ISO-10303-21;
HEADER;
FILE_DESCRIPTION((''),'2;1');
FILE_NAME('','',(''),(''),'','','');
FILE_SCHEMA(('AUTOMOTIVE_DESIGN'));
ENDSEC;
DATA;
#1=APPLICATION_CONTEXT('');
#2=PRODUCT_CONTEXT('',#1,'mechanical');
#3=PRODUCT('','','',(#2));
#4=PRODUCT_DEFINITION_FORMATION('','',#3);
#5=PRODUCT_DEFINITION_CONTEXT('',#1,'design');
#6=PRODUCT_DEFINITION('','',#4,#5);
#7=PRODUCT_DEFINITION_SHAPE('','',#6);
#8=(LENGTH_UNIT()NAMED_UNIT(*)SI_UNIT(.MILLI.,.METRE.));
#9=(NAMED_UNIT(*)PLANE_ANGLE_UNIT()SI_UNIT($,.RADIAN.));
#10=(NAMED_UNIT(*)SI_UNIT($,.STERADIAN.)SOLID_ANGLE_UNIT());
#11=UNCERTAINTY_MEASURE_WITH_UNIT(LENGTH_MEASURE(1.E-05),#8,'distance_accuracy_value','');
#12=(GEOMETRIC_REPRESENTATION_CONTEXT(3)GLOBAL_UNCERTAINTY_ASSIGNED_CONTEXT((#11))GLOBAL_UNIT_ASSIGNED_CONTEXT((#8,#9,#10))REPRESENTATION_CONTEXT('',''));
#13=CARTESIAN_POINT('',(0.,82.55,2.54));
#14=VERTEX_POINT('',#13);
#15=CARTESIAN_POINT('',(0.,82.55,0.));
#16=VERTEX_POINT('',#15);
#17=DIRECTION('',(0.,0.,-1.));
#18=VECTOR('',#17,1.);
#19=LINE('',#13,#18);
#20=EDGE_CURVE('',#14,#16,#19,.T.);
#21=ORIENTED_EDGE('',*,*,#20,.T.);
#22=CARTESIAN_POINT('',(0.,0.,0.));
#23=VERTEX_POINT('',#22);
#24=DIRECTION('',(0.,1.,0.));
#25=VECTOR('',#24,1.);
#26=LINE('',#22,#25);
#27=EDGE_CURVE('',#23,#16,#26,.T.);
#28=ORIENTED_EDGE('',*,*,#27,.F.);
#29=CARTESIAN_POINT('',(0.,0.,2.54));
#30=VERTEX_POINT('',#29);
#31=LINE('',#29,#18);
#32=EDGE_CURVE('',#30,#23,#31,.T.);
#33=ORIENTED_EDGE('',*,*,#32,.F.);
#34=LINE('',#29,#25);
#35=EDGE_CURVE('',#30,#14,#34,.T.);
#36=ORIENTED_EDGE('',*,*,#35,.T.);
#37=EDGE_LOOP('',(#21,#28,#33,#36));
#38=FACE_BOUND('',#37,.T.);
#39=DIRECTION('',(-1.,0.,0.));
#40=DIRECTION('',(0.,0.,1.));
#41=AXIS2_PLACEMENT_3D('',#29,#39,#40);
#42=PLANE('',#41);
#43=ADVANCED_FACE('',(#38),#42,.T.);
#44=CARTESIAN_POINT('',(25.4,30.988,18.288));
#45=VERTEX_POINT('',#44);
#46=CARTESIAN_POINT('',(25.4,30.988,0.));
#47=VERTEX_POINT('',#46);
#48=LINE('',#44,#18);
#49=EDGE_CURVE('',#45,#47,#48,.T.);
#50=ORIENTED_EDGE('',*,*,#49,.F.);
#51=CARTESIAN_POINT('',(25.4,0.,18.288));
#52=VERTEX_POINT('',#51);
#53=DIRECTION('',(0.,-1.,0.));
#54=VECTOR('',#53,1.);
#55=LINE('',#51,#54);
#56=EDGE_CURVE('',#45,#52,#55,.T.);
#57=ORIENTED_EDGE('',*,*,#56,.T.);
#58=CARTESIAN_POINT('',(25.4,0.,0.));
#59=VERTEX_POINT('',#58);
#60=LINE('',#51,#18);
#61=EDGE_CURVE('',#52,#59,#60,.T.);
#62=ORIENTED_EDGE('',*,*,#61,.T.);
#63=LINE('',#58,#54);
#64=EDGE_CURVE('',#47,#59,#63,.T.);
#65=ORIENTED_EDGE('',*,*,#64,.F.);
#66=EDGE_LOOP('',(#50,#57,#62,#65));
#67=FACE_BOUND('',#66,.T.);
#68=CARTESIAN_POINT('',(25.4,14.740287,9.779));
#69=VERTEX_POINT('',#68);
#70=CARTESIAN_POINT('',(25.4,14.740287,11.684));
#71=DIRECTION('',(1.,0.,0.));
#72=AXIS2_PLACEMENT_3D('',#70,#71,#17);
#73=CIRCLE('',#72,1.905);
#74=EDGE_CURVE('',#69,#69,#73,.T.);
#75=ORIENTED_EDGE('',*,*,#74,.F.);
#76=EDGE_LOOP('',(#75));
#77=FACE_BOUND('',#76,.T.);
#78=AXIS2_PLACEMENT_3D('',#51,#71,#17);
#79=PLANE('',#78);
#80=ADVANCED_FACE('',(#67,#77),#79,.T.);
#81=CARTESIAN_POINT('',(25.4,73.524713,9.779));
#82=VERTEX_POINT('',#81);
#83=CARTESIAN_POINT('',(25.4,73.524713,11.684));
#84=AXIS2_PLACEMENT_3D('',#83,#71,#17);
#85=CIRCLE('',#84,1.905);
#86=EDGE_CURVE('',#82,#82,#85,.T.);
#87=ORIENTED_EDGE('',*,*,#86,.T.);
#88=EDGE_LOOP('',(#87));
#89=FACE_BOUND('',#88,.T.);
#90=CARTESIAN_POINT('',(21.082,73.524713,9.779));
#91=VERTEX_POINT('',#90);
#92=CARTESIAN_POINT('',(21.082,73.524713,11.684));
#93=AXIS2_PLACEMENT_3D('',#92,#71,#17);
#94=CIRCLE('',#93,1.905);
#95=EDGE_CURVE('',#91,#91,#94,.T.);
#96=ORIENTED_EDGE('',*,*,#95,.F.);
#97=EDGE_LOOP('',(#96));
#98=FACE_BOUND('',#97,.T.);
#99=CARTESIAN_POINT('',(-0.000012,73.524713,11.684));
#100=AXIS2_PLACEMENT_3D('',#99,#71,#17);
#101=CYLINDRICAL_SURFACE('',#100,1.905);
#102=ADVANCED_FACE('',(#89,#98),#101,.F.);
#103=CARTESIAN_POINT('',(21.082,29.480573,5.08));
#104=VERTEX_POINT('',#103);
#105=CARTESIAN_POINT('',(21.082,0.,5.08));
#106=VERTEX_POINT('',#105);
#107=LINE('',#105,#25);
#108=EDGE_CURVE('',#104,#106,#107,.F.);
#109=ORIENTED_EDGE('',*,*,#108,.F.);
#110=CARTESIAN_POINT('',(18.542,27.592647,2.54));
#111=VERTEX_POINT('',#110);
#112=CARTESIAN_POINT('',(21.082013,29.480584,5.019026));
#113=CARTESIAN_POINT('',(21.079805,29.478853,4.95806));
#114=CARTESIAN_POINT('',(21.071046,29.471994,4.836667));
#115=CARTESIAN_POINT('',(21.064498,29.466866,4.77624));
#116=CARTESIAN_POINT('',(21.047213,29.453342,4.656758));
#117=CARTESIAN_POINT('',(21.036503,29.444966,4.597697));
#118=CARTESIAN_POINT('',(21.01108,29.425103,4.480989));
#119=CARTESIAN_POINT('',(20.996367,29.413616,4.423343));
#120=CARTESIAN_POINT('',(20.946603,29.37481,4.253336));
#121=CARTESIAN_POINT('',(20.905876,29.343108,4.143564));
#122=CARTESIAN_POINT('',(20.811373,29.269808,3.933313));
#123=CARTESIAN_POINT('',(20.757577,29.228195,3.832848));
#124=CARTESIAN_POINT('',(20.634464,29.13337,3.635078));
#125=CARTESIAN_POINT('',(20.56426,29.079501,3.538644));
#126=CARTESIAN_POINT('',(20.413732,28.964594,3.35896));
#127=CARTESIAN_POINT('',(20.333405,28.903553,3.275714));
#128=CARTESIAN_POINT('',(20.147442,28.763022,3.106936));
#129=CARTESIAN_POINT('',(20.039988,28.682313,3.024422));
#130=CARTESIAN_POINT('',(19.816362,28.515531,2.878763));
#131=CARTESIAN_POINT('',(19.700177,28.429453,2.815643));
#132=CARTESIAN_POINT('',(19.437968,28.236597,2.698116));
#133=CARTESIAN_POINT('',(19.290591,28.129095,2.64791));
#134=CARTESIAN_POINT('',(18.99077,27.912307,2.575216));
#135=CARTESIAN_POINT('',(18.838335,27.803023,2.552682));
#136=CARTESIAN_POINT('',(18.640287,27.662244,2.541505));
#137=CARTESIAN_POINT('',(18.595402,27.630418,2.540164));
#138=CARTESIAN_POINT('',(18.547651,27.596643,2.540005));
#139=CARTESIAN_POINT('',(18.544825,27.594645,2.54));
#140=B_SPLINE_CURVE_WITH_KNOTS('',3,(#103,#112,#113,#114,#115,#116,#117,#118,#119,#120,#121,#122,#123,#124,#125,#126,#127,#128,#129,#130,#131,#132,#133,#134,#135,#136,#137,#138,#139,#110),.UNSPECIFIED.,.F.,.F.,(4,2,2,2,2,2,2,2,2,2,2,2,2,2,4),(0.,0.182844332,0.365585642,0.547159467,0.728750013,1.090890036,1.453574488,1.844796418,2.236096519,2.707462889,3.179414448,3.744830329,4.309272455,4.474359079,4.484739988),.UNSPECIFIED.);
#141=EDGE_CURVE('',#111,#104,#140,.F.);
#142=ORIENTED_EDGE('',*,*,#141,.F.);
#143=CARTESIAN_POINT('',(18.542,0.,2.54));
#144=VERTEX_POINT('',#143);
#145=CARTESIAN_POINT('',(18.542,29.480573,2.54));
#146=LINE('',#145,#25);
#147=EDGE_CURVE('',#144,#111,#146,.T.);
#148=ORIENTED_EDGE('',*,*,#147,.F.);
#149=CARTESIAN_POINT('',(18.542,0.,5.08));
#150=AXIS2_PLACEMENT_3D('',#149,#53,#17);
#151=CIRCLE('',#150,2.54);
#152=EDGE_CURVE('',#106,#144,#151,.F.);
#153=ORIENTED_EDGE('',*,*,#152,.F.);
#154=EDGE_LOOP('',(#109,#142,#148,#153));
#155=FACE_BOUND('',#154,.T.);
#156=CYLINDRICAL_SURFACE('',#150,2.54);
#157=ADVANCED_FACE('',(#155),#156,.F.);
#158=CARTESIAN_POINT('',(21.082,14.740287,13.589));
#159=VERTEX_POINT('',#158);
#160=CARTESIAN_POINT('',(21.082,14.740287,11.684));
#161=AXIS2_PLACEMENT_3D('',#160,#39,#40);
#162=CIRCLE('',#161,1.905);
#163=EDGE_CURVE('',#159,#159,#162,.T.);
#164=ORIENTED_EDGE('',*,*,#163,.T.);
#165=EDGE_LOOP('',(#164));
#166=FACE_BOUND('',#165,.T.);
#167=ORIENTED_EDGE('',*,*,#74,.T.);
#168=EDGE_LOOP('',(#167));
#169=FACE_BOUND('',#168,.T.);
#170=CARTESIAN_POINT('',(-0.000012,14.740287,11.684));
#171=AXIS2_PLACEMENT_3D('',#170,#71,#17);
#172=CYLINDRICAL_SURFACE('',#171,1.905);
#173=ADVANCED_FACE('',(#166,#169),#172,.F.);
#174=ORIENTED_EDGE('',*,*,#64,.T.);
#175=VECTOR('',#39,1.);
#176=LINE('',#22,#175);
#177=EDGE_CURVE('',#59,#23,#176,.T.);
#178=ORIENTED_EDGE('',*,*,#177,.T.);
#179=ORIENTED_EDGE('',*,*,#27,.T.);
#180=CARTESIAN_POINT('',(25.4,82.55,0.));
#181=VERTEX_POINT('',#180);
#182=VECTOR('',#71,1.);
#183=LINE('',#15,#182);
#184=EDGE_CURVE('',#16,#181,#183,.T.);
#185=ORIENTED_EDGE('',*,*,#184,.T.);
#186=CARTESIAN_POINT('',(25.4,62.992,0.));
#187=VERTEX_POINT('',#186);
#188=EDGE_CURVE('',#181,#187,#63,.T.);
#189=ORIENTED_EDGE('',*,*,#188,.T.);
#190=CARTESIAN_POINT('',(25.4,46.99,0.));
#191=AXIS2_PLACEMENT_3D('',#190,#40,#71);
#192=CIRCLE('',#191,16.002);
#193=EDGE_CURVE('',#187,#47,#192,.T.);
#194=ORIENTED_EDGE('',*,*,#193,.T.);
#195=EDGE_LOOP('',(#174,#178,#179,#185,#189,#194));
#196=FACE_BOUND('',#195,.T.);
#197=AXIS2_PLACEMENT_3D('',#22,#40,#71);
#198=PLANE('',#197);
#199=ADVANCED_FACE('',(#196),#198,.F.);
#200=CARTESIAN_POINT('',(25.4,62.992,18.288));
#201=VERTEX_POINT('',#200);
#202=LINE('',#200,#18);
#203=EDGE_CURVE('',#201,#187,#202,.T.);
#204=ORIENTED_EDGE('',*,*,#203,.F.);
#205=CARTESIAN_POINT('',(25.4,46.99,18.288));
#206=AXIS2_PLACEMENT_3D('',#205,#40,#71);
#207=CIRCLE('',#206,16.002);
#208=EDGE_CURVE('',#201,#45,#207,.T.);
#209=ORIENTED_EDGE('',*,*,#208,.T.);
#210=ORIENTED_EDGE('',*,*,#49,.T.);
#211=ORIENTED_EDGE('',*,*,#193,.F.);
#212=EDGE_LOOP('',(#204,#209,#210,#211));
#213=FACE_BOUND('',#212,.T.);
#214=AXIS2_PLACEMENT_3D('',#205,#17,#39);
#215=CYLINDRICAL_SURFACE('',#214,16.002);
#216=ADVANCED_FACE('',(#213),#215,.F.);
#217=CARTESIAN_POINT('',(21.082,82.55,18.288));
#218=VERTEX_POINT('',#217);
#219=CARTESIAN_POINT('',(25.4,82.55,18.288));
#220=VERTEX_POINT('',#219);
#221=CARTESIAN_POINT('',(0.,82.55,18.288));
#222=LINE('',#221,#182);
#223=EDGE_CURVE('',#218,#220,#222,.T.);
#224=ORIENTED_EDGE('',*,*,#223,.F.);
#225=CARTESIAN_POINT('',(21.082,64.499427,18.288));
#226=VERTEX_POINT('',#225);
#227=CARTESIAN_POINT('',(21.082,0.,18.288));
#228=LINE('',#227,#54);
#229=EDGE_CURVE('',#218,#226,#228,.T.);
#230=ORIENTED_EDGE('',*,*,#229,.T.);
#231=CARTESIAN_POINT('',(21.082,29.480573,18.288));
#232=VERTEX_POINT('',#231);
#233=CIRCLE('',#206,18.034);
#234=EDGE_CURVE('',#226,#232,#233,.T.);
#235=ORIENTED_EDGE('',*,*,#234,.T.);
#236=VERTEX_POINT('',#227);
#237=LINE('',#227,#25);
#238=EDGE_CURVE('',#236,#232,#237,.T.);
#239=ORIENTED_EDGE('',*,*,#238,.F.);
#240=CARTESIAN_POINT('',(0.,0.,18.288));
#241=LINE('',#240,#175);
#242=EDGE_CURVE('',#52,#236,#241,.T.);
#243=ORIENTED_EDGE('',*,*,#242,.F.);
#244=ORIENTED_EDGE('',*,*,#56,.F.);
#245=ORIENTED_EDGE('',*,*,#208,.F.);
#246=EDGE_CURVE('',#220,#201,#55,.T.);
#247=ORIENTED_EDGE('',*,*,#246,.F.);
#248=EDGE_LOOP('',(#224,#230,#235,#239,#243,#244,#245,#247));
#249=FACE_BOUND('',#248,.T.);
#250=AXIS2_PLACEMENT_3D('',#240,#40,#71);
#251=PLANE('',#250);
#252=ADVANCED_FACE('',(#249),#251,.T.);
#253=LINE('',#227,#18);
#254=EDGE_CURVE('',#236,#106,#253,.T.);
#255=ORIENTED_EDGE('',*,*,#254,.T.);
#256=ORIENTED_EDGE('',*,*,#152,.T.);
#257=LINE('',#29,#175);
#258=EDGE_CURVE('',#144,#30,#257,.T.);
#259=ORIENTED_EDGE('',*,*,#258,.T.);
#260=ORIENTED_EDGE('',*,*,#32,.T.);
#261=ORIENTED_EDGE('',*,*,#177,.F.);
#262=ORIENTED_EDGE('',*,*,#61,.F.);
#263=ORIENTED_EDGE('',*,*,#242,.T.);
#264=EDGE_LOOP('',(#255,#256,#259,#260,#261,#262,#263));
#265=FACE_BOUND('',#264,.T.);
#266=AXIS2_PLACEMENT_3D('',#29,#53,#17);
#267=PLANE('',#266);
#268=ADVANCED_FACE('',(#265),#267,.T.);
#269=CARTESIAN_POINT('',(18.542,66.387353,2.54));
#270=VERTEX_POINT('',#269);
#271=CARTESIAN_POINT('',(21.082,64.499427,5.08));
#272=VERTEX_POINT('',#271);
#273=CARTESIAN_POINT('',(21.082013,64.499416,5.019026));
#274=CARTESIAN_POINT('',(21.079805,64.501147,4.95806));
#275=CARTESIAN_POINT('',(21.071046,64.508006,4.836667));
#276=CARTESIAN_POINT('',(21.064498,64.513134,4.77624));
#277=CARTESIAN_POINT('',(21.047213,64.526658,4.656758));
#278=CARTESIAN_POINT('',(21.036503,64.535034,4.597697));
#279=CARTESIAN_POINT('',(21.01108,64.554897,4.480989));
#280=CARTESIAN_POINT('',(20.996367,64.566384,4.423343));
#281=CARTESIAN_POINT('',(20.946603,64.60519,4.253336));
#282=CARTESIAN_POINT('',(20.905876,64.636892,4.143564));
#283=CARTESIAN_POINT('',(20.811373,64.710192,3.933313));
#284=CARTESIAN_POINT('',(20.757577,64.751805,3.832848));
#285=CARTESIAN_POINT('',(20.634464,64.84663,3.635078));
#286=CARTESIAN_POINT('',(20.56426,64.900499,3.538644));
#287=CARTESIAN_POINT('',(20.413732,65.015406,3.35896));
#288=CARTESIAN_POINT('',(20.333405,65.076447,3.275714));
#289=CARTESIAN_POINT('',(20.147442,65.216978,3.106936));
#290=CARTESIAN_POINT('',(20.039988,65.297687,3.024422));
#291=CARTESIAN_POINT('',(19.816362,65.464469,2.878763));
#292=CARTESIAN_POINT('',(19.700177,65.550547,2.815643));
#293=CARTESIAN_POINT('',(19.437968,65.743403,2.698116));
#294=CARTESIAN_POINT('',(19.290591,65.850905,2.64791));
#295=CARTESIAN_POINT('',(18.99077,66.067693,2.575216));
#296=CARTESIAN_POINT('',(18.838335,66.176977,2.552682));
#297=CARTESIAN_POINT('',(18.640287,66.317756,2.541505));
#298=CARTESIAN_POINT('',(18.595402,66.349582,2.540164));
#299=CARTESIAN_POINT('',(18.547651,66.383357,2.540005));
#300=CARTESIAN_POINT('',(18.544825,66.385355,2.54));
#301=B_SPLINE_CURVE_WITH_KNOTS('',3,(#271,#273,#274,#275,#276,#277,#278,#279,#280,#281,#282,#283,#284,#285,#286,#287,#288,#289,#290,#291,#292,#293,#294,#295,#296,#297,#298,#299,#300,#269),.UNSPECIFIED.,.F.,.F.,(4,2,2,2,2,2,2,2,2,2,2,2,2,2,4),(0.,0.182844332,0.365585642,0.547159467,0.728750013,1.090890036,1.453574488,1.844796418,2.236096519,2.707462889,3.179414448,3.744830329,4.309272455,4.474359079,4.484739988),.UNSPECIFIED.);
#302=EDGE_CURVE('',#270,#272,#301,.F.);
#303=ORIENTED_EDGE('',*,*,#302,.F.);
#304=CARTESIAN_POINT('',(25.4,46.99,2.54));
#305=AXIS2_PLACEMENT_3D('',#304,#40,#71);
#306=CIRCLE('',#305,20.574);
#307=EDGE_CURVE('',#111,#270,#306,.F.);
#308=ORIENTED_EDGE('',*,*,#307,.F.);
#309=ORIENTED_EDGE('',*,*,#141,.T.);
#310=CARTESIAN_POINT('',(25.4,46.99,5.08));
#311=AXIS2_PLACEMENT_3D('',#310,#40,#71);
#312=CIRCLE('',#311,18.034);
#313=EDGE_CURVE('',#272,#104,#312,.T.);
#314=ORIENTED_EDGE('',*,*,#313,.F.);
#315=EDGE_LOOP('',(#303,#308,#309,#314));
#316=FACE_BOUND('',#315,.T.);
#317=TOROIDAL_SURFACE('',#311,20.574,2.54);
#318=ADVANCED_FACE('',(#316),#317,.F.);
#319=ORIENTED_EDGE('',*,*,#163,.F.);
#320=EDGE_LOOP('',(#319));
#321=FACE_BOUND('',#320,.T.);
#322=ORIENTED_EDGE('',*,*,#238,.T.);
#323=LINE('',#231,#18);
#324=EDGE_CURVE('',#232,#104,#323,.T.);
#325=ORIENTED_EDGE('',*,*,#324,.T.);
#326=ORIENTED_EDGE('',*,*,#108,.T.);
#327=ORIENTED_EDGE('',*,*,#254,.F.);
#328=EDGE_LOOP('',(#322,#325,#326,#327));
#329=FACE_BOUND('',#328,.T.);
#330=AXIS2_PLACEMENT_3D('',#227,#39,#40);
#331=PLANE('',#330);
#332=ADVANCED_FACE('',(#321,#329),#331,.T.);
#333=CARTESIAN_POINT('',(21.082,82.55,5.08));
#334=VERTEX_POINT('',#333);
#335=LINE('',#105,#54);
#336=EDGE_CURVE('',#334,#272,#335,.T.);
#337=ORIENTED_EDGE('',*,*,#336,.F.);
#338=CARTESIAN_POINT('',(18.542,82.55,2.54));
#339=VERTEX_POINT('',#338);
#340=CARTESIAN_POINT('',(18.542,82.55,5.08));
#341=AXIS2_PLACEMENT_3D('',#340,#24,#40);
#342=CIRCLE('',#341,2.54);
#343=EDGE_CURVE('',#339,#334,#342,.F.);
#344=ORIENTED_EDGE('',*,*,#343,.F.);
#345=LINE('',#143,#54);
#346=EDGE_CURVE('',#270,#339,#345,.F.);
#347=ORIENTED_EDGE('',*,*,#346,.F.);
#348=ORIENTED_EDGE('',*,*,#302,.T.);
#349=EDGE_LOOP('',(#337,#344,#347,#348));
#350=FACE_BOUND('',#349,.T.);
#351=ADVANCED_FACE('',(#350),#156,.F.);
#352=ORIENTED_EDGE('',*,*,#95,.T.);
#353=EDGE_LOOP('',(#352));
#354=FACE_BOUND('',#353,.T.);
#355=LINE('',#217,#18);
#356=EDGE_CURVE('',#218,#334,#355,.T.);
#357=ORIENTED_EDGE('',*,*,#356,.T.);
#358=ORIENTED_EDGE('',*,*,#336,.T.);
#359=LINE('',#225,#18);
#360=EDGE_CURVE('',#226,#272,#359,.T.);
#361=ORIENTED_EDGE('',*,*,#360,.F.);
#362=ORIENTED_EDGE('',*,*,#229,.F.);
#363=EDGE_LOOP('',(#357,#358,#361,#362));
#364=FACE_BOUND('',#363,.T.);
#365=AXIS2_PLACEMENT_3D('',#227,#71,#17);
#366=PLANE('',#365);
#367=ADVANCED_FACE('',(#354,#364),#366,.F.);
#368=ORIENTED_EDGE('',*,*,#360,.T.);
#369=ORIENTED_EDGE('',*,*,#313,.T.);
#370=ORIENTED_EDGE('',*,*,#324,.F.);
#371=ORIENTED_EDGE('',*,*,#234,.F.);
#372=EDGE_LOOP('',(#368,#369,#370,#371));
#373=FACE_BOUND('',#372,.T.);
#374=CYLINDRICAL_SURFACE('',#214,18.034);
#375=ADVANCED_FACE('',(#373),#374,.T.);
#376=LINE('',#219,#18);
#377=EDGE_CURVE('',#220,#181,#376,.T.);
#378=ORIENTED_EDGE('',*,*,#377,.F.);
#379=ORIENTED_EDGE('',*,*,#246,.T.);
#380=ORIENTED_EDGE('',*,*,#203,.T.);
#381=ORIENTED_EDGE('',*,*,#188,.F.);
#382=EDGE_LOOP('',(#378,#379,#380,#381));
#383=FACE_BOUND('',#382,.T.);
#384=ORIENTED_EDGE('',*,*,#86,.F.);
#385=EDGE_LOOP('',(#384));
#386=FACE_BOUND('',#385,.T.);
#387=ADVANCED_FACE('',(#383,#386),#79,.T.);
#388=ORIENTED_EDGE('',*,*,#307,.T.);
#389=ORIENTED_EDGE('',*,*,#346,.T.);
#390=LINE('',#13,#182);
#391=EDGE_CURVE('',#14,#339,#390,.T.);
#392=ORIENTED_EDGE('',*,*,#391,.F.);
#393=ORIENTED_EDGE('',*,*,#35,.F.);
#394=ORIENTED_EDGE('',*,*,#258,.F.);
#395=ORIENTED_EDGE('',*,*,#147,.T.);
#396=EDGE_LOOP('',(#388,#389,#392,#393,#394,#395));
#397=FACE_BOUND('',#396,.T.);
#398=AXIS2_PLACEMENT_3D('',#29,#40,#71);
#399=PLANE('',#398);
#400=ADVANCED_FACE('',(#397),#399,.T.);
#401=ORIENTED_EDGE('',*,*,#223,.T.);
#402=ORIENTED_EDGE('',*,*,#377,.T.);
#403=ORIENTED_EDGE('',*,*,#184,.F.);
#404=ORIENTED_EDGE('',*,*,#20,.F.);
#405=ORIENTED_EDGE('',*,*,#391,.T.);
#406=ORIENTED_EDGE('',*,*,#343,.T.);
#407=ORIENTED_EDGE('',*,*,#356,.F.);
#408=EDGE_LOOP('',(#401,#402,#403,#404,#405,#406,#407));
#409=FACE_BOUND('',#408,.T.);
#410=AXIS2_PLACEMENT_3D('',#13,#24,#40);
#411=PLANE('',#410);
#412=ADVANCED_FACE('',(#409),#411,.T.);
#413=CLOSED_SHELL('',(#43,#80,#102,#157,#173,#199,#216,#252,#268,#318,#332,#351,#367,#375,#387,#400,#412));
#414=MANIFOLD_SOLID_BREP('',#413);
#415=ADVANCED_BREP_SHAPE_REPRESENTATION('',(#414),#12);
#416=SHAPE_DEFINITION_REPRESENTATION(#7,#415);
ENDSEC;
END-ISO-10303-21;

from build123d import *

# Parameters (mm, degrees)
BOSS_EXTRUDE2_DEPTH     = 2.54
BOSS_EXTRUDE3_DEPTH     = 18.288
FILLET1_R               = 2.54
SKETCH4_R               = 1.905
CUT_EXTRUDE1_DEPTH      = 26.4
CUT_EXTRUDE1_DEPTH_BACK = 1


with BuildPart() as part:
    # Sketch3 → Boss-Extrude2 (new body)
    with BuildSketch(Plane.XY):
        with BuildLine():
            Line((0, 82.55), (0, 0))
            Line((0, 0), (21.082, 0))
            Line((21.082, 0), (21.082, 29.480573053))
            ThreePointArc((21.082, 29.480573053), (7.366, 46.99), (21.082, 64.499426947))
            Line((21.082, 64.499426947), (21.082, 82.55))
            Line((21.082, 82.55), (0, 82.55))
        make_face()
    extrude(amount=BOSS_EXTRUDE2_DEPTH)

    # Sketch3<5> → Boss-Extrude3 (add)
    with BuildSketch(Plane.XY):
        with BuildLine():
            Line((21.082, 29.480573053), (21.082, 0))
            Line((21.082, 0), (25.4, 0))
            Line((25.4, 0), (25.4, 30.988))
            ThreePointArc((25.4, 30.988), (9.398, 46.99), (25.4, 62.992))
            Line((25.4, 62.992), (25.4, 82.55))
            Line((25.4, 82.55), (21.082, 82.55))
            Line((21.082, 82.55), (21.082, 64.499426947))
            ThreePointArc((21.082, 64.499426947), (7.366, 46.99), (21.082, 29.480573053))
        make_face()
    extrude(amount=BOSS_EXTRUDE3_DEPTH)

    # Fillet1
    fillet1_edges = [part.edges().sort_by_distance(p)[0] for p in [
        (21.082, 73.524713473, 2.54),
        (21.082, 14.740286527, 2.54),
        (7.366, 46.99, 2.54),
    ]]
    fillet(fillet1_edges, radius=FILLET1_R)

    # Sketch4 → Cut-Extrude1 (cut, two sides)
    with BuildSketch(Plane(origin=(0, 0, 0), x_dir=(0, 0, -1), z_dir=(1, 0, 0))) as cut_extrude1_sk:
        with Locations((-11.684, 14.740286527)):
            Circle(SKETCH4_R)
        with Locations((-11.684, 73.524713473)):
            Circle(SKETCH4_R)
    extrude(amount=CUT_EXTRUDE1_DEPTH, mode=Mode.SUBTRACT)
    extrude(cut_extrude1_sk.sketch, amount=-CUT_EXTRUDE1_DEPTH_BACK, mode=Mode.SUBTRACT)


solid = part.part
